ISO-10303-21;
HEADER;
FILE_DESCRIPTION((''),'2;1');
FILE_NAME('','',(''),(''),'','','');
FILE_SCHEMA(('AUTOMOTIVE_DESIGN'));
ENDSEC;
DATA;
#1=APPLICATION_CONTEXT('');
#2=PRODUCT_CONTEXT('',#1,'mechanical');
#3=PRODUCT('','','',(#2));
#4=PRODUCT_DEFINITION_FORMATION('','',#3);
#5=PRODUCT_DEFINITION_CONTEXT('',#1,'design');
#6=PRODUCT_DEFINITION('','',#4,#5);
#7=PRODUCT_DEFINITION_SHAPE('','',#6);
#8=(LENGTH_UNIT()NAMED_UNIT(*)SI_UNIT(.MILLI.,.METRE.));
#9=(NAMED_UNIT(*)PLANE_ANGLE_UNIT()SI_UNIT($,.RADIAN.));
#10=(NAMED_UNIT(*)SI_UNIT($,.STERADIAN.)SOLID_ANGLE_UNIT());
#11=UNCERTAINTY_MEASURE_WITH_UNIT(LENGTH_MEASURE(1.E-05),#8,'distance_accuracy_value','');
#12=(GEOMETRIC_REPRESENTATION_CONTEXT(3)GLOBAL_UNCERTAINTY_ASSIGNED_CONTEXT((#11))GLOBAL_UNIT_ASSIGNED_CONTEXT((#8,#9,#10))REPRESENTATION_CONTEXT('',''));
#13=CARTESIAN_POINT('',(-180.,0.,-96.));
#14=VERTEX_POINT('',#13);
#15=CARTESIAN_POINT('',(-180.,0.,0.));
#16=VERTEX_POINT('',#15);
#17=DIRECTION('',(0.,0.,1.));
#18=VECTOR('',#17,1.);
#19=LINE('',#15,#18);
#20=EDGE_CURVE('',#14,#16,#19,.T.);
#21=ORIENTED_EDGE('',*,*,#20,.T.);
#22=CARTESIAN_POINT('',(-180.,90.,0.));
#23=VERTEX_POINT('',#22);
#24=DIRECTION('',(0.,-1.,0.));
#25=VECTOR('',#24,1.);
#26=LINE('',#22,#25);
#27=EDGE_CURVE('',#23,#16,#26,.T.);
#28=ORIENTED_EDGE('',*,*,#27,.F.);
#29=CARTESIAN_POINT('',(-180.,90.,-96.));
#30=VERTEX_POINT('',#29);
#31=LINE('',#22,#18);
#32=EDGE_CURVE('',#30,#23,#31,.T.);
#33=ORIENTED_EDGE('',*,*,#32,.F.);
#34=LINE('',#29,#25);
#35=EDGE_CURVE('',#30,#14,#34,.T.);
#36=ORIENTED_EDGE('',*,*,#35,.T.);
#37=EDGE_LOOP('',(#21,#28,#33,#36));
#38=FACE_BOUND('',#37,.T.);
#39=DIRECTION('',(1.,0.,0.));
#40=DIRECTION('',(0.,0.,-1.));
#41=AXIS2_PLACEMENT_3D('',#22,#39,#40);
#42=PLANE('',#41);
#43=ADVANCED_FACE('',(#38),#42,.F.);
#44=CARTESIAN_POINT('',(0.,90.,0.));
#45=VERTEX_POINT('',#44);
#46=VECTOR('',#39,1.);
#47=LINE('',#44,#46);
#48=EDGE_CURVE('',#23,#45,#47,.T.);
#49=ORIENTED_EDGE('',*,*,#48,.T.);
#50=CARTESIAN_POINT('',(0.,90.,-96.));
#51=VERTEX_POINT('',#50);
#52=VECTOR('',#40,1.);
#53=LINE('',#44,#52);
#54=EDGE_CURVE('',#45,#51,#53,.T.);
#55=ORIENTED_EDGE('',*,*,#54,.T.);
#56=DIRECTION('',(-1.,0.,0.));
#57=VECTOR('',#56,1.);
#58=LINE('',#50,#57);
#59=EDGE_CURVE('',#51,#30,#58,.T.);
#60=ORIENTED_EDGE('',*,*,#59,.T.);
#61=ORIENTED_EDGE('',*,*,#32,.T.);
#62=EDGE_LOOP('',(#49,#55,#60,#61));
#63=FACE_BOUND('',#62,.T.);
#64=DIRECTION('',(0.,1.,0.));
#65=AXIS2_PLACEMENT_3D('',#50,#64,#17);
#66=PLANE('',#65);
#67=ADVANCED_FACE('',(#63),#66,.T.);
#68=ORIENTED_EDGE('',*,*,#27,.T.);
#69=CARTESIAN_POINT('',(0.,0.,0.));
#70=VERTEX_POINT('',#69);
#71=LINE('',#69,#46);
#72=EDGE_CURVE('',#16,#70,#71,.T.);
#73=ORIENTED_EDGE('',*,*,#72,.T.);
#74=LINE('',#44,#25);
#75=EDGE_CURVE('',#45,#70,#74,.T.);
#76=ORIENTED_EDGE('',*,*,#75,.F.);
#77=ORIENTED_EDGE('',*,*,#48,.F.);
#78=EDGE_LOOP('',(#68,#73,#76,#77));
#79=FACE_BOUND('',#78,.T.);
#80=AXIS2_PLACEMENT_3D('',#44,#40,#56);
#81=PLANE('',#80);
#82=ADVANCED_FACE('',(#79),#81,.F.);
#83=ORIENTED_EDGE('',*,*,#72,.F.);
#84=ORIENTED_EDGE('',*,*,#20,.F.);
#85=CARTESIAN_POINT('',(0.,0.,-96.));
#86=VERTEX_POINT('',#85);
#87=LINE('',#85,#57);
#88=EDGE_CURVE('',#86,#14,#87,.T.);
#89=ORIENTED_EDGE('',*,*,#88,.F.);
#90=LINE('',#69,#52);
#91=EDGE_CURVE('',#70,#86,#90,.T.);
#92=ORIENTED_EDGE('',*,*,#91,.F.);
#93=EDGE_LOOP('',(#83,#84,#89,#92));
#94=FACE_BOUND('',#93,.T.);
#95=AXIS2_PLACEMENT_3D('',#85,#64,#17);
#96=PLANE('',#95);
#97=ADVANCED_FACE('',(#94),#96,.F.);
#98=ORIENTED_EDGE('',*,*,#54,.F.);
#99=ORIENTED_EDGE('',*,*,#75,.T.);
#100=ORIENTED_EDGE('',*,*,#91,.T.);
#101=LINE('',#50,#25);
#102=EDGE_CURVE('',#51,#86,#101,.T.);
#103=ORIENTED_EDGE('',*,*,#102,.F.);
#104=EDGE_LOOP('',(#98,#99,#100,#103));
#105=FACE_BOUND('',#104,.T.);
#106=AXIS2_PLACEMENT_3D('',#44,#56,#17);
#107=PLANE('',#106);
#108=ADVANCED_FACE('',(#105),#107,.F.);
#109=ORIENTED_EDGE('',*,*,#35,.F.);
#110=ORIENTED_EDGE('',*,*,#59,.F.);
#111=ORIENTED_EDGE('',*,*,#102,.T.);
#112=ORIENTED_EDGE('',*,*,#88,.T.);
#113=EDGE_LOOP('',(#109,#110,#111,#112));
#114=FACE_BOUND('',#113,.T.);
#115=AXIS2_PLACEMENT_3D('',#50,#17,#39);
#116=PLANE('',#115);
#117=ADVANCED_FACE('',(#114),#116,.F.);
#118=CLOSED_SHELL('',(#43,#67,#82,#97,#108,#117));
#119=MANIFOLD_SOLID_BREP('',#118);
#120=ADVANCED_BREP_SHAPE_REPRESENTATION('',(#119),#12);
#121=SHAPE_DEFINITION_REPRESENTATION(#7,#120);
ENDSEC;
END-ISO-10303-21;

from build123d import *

# Parameters (mm, degrees)
SKETCH1_W      = 180
SKETCH1_H      = 96
EXTRUDE1_DEPTH = 90


with BuildPart() as part:
    # Sketch1 → Extrude1 (new body)
    with BuildSketch(Plane(origin=(0, 0, 0), x_dir=(1, 0, 0), z_dir=(0, 1, 0))):
        with Locations((-90, 48)):
            Rectangle(SKETCH1_W, SKETCH1_H)
    extrude(amount=EXTRUDE1_DEPTH)


solid = part.part
